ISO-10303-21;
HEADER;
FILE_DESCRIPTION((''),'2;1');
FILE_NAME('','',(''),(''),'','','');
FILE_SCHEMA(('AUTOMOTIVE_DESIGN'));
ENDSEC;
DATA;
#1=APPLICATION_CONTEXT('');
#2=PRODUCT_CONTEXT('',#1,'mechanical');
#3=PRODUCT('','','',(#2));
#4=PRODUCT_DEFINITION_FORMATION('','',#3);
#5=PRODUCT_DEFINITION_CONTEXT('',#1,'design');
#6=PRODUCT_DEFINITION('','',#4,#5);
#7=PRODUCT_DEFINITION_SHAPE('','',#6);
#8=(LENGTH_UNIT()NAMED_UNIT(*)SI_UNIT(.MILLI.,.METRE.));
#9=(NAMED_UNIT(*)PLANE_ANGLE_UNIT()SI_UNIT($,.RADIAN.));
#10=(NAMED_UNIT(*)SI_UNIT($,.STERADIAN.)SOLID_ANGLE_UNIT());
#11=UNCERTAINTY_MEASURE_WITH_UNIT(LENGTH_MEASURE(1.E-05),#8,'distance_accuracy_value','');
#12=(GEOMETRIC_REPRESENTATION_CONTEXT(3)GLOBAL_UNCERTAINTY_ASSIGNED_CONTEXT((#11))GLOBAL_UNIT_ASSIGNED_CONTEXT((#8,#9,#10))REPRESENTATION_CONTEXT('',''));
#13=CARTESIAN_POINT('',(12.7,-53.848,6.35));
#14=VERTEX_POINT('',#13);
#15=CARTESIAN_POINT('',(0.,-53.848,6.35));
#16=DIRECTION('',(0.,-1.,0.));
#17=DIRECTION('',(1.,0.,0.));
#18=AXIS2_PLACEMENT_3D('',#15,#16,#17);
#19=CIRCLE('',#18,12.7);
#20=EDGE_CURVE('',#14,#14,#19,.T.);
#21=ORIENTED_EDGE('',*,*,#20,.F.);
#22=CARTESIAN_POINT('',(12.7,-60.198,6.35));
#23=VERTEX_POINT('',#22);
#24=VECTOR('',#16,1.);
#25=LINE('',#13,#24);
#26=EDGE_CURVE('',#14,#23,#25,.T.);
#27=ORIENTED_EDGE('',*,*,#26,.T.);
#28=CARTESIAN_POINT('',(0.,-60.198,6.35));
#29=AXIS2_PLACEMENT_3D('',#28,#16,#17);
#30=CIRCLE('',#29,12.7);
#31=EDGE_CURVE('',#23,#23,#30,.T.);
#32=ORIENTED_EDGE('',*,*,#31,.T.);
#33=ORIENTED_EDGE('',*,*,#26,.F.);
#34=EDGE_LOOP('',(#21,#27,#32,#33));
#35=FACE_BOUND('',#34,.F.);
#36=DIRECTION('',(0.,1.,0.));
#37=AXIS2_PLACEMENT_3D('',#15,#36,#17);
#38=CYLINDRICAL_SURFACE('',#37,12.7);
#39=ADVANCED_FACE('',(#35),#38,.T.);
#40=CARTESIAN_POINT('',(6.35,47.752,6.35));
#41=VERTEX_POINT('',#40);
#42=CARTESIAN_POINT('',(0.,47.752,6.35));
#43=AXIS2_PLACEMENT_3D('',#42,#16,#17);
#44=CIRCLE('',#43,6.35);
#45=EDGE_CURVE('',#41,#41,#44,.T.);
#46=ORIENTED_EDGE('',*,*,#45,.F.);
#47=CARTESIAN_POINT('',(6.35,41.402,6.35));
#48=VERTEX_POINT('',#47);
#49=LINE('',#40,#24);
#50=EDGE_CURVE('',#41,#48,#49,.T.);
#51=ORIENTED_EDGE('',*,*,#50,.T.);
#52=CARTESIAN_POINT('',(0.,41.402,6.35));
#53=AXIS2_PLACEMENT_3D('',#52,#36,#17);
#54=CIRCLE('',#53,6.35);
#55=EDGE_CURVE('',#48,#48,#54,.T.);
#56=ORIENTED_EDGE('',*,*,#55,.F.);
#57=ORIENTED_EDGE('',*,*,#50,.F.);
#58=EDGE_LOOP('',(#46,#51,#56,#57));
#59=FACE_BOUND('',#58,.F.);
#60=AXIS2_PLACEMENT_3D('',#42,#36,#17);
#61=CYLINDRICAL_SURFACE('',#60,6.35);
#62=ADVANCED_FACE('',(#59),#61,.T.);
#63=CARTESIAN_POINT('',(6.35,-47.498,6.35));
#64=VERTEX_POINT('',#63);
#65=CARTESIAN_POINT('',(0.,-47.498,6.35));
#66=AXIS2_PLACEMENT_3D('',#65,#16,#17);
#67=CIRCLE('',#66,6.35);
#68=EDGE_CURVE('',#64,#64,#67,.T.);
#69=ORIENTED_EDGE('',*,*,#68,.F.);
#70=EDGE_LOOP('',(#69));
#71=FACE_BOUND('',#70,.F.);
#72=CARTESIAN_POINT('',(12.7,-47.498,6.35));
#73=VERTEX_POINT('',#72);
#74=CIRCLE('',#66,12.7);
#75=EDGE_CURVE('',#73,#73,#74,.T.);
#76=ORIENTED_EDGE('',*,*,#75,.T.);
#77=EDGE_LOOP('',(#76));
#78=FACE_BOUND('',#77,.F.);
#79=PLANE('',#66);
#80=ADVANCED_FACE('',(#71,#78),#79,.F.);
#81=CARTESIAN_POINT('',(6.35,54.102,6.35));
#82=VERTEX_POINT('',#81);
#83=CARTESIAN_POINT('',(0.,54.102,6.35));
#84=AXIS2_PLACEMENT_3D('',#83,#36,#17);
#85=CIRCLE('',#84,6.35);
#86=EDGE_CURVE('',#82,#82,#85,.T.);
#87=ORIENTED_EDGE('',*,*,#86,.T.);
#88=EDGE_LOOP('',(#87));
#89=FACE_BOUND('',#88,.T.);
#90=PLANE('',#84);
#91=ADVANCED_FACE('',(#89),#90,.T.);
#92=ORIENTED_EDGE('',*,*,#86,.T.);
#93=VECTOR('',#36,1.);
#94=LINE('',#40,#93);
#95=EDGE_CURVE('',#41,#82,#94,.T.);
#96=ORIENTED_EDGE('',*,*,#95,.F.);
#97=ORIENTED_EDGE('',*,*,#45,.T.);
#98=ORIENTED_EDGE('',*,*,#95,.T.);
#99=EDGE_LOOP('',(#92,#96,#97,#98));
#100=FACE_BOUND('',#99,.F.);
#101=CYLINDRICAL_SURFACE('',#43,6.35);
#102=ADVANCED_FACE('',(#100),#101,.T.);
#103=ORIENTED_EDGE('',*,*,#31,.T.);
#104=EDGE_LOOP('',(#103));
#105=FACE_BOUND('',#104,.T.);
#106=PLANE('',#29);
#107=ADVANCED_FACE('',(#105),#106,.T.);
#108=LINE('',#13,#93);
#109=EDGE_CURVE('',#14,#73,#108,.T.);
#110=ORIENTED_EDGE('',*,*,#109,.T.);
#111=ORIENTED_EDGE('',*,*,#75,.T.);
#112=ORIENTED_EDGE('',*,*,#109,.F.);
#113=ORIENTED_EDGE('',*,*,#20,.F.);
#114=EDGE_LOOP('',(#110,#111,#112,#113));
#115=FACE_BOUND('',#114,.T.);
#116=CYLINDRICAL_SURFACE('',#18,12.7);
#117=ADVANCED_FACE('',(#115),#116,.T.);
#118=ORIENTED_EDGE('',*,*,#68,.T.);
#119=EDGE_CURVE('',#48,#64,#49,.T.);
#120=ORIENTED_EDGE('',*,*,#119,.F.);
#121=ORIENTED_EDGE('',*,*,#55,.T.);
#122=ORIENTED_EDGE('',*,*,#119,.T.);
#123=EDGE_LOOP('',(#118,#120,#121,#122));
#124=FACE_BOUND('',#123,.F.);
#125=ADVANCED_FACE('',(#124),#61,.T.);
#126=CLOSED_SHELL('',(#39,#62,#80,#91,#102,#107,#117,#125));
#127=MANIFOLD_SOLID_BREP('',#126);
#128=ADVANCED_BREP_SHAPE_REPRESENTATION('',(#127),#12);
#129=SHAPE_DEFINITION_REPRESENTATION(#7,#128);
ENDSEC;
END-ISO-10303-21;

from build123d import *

# Parameters (mm, degrees)
F0_R       = 6.35
F1_DEPTH   = 101.6
F1_FACE1_R = 6.35
F2_R       = 12.7
F2_R_2     = 6.35
F1_FACE_R  = 6.35
F3_DEPTH   = 6.35


with BuildPart() as f1:
    # F0 (on Front) → F1 (new body)
    with BuildSketch(Plane.XZ):
        with Locations((0, 6.35)):
            Circle(F0_R)
    extrude(amount=F1_DEPTH)

    # F1_face1 (on face) + F2 (on face) + F1_face (on face) → F3 (join, symmetric)
    with BuildSketch(Plane(origin=(0, 0, 6.35), x_dir=(1, 0, 0), z_dir=(0, 1, 0))):
        Circle(F1_FACE1_R)
    with BuildSketch(Plane.XZ.offset(101.6)):
        with Locations((0, 6.35)):
            Circle(F2_R)
        with Locations((0, 6.35)):
            Circle(F2_R_2, mode=Mode.SUBTRACT)
        with Locations((0, 6.35)):
            Circle(F2_R_2)
    with BuildSketch(Plane(origin=(0, -101.6, 6.35), x_dir=(1, 0, 0), z_dir=(0, -1, 0))):
        Circle(F1_FACE_R)
    extrude(amount=F3_DEPTH, both=True, dir=(0, 1, 0))


with BuildPart() as f1_1:
    # F4: moved
    add(f1.part.moved(Location((0, 47.752, 0))))


solid = f1_1.part
